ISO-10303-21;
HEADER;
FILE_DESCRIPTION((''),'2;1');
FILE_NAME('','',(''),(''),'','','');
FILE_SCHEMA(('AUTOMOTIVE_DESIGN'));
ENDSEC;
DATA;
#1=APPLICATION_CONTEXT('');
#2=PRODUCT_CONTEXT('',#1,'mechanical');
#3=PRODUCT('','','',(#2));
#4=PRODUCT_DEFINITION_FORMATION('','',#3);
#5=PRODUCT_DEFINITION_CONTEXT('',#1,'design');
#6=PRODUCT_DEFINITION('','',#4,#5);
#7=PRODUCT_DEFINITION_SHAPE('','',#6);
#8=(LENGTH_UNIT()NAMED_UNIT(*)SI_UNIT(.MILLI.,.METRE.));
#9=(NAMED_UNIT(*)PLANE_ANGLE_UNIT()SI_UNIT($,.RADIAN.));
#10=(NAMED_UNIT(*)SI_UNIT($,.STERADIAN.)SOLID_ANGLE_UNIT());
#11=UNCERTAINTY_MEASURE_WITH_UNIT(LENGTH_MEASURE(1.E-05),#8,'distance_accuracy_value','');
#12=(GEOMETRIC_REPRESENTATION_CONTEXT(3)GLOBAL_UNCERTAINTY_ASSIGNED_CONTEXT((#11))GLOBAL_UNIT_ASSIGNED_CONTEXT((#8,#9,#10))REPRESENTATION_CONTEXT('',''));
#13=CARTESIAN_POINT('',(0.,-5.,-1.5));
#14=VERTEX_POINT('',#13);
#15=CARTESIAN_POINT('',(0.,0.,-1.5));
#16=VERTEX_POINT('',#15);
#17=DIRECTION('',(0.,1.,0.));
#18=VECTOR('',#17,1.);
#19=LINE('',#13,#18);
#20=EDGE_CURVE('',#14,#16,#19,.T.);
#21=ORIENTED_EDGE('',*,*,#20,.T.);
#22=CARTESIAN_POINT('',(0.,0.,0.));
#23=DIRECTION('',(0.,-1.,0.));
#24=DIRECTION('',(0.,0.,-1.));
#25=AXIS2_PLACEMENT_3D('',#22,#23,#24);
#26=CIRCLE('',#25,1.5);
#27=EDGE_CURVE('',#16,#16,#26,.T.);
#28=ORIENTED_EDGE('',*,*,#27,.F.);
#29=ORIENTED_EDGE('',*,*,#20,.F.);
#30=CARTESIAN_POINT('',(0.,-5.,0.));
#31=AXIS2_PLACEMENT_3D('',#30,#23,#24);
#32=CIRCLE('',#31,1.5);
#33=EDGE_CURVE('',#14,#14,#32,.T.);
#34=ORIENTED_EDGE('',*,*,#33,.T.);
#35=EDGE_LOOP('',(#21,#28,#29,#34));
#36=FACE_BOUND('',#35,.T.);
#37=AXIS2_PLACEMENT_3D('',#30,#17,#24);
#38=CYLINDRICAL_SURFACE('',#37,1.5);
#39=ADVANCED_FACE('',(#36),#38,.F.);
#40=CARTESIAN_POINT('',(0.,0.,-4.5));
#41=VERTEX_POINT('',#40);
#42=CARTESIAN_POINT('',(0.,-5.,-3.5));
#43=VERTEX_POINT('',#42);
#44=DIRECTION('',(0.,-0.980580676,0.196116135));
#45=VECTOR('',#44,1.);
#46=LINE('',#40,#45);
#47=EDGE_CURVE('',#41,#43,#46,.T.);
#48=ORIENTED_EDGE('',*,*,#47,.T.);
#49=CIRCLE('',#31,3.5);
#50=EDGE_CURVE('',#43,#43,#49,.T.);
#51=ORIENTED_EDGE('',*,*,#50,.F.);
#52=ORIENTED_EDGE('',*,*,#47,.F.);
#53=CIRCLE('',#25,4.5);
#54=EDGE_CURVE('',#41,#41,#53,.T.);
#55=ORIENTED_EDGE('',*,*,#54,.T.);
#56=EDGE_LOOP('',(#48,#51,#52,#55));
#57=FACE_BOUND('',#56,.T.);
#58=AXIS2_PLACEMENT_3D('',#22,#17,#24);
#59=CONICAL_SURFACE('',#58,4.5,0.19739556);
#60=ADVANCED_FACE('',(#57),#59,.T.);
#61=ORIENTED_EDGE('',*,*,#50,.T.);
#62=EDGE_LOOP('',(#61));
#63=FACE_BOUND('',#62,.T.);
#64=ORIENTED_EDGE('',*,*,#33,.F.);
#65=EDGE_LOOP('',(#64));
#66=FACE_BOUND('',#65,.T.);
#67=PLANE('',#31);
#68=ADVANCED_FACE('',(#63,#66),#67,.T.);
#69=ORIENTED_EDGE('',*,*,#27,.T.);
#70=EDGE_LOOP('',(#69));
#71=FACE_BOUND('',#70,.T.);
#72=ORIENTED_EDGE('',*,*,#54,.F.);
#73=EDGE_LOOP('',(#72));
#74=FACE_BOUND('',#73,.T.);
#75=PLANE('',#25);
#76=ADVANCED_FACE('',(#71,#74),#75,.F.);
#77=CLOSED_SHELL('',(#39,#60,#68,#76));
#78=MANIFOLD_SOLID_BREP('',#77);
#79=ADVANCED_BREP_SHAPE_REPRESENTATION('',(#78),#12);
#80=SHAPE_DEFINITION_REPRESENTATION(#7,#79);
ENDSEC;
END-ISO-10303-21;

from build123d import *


with BuildPart() as part:
    # Sketch1 → Revolve1 (revolve)
    with BuildSketch(Plane(origin=(0, 0, 0), x_dir=(0, 0, -1), z_dir=(1, 0, 0))):
        Polygon((1.5, 0), (4.5, 0), (3.5, -5), (1.5, -5), align=None)
    revolve(axis=Axis((0, 0, 0), (0, -1, 0)))


solid = part.part
